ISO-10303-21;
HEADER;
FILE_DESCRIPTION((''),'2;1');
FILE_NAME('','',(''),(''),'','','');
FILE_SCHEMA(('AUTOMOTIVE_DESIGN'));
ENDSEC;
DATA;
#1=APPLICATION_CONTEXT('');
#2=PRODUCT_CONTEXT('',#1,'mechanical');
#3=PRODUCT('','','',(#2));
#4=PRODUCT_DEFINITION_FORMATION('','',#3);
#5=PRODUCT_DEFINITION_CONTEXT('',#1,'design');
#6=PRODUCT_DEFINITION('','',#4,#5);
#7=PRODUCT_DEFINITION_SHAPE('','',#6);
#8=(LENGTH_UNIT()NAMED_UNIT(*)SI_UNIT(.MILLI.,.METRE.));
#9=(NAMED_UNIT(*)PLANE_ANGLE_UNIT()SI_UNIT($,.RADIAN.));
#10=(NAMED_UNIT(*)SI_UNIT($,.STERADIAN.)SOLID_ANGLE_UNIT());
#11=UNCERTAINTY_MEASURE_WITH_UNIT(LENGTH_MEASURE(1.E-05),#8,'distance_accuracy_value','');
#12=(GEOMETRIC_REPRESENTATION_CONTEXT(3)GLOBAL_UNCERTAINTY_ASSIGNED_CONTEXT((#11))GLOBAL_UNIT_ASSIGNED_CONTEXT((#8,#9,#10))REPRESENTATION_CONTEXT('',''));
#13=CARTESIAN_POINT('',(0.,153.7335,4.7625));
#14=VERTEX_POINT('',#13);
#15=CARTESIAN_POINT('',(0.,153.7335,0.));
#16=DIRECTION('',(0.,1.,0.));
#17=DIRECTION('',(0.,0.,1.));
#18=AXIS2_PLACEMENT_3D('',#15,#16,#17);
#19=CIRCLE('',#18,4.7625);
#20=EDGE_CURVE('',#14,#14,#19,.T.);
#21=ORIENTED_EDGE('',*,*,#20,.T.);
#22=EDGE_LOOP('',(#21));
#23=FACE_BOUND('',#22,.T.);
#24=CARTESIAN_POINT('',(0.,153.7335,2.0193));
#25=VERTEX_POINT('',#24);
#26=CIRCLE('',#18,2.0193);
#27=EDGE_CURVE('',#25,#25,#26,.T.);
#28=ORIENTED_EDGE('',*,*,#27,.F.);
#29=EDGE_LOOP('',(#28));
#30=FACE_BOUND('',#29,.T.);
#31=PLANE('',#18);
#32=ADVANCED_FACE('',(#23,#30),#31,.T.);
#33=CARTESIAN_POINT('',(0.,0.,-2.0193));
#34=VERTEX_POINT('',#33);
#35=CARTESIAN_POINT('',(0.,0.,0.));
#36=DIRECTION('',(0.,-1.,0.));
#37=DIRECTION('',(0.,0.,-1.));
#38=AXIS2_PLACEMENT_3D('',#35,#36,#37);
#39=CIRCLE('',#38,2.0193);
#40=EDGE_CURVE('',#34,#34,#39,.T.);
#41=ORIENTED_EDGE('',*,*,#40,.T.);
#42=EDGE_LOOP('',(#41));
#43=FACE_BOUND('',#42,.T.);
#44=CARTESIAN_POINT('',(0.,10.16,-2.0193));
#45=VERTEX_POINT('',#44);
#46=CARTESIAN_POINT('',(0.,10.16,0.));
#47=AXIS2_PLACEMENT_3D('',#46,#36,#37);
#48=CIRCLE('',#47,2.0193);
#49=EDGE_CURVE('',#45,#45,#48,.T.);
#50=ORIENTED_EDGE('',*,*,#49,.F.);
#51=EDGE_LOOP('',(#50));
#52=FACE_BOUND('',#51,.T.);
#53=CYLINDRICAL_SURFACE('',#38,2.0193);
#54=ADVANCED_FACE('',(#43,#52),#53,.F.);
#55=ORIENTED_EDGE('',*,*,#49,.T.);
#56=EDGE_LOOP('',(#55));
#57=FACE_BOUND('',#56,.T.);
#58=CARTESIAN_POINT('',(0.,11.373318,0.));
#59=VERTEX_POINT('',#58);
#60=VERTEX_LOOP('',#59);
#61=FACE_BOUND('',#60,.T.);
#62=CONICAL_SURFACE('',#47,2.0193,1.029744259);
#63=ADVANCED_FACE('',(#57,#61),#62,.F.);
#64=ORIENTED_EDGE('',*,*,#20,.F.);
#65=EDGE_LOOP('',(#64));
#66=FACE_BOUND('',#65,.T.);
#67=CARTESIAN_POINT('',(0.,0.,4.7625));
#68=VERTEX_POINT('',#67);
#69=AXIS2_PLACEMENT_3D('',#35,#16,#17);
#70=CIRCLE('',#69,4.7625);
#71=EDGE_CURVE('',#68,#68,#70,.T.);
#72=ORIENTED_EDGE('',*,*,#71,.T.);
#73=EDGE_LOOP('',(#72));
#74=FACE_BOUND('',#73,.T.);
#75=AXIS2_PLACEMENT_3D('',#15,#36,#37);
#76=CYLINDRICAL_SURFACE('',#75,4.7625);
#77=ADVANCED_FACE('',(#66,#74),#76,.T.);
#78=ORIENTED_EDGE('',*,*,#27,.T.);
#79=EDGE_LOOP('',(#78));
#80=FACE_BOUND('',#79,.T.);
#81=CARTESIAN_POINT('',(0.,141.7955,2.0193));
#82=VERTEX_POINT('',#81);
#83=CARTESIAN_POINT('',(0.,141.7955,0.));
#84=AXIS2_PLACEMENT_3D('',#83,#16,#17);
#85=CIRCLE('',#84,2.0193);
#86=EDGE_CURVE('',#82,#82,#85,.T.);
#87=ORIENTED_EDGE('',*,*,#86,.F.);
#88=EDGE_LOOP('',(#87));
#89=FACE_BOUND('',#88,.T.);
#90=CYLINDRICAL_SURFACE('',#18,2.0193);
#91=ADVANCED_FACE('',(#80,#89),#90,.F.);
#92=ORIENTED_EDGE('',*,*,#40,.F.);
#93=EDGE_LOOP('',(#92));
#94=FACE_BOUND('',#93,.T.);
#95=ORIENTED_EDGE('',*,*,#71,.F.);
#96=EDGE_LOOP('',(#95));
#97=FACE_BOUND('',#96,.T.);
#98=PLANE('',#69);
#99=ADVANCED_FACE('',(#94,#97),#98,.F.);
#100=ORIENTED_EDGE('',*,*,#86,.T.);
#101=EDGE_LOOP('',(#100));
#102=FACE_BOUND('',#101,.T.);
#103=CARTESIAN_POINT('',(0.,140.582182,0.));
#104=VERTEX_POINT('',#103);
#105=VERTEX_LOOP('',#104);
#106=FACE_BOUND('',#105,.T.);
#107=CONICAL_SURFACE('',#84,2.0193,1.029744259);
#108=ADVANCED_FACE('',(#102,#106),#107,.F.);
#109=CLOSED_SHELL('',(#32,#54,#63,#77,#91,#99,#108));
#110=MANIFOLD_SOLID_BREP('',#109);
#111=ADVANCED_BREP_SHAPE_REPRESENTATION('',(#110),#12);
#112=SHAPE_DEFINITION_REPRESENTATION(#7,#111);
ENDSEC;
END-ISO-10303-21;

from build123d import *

# Parameters (mm, degrees)
SKETCH1_R                  = 4.7625
BOSS_EXTRUDE1_DEPTH        = 153.7335
F_10_32_TAPPED_HOLE1_D     = 4.0386
F_10_32_TAPPED_HOLE1_DEPTH = 10.16
F_10_32_TAPPED_HOLE1_TIP   = 1.213317848
F_10_32_TAPPED_HOLE2_D     = 4.0386
F_10_32_TAPPED_HOLE2_DEPTH = 11.938
F_10_32_TAPPED_HOLE2_TIP   = 1.213317848


with BuildPart() as part:
    # Sketch1 → Boss-Extrude1 (new body)
    with BuildSketch(Plane(origin=(0, 0, 0), x_dir=(1, 0, 0), z_dir=(0, 1, 0))):
        with Locations(Location((0, 0, 0), (0, 0, 270))):
            Circle(SKETCH1_R)
    extrude(amount=BOSS_EXTRUDE1_DEPTH)

    # #10-32 Tapped Hole1
    with Locations(Plane(origin=(0, 0, 0), x_dir=(-1, 0, 0), z_dir=(0, -1, 0))):
        with Locations((0, 0)):
            Hole(F_10_32_TAPPED_HOLE1_D / 2, depth=F_10_32_TAPPED_HOLE1_DEPTH)
            with Locations((0, 0, -(F_10_32_TAPPED_HOLE1_DEPTH + F_10_32_TAPPED_HOLE1_TIP / 2))):  # 118° drill point
                Cone(0, F_10_32_TAPPED_HOLE1_D / 2, F_10_32_TAPPED_HOLE1_TIP, mode=Mode.SUBTRACT)

    # #10-32 Tapped Hole2
    with Locations(Plane(origin=(0, 153.7335, 0), x_dir=(1, 0, 0), z_dir=(0, 1, 0))):
        with Locations((0, 0)):
            Hole(F_10_32_TAPPED_HOLE2_D / 2, depth=F_10_32_TAPPED_HOLE2_DEPTH)
            with Locations((0, 0, -(F_10_32_TAPPED_HOLE2_DEPTH + F_10_32_TAPPED_HOLE2_TIP / 2))):  # 118° drill point
                Cone(0, F_10_32_TAPPED_HOLE2_D / 2, F_10_32_TAPPED_HOLE2_TIP, mode=Mode.SUBTRACT)


solid = part.part
